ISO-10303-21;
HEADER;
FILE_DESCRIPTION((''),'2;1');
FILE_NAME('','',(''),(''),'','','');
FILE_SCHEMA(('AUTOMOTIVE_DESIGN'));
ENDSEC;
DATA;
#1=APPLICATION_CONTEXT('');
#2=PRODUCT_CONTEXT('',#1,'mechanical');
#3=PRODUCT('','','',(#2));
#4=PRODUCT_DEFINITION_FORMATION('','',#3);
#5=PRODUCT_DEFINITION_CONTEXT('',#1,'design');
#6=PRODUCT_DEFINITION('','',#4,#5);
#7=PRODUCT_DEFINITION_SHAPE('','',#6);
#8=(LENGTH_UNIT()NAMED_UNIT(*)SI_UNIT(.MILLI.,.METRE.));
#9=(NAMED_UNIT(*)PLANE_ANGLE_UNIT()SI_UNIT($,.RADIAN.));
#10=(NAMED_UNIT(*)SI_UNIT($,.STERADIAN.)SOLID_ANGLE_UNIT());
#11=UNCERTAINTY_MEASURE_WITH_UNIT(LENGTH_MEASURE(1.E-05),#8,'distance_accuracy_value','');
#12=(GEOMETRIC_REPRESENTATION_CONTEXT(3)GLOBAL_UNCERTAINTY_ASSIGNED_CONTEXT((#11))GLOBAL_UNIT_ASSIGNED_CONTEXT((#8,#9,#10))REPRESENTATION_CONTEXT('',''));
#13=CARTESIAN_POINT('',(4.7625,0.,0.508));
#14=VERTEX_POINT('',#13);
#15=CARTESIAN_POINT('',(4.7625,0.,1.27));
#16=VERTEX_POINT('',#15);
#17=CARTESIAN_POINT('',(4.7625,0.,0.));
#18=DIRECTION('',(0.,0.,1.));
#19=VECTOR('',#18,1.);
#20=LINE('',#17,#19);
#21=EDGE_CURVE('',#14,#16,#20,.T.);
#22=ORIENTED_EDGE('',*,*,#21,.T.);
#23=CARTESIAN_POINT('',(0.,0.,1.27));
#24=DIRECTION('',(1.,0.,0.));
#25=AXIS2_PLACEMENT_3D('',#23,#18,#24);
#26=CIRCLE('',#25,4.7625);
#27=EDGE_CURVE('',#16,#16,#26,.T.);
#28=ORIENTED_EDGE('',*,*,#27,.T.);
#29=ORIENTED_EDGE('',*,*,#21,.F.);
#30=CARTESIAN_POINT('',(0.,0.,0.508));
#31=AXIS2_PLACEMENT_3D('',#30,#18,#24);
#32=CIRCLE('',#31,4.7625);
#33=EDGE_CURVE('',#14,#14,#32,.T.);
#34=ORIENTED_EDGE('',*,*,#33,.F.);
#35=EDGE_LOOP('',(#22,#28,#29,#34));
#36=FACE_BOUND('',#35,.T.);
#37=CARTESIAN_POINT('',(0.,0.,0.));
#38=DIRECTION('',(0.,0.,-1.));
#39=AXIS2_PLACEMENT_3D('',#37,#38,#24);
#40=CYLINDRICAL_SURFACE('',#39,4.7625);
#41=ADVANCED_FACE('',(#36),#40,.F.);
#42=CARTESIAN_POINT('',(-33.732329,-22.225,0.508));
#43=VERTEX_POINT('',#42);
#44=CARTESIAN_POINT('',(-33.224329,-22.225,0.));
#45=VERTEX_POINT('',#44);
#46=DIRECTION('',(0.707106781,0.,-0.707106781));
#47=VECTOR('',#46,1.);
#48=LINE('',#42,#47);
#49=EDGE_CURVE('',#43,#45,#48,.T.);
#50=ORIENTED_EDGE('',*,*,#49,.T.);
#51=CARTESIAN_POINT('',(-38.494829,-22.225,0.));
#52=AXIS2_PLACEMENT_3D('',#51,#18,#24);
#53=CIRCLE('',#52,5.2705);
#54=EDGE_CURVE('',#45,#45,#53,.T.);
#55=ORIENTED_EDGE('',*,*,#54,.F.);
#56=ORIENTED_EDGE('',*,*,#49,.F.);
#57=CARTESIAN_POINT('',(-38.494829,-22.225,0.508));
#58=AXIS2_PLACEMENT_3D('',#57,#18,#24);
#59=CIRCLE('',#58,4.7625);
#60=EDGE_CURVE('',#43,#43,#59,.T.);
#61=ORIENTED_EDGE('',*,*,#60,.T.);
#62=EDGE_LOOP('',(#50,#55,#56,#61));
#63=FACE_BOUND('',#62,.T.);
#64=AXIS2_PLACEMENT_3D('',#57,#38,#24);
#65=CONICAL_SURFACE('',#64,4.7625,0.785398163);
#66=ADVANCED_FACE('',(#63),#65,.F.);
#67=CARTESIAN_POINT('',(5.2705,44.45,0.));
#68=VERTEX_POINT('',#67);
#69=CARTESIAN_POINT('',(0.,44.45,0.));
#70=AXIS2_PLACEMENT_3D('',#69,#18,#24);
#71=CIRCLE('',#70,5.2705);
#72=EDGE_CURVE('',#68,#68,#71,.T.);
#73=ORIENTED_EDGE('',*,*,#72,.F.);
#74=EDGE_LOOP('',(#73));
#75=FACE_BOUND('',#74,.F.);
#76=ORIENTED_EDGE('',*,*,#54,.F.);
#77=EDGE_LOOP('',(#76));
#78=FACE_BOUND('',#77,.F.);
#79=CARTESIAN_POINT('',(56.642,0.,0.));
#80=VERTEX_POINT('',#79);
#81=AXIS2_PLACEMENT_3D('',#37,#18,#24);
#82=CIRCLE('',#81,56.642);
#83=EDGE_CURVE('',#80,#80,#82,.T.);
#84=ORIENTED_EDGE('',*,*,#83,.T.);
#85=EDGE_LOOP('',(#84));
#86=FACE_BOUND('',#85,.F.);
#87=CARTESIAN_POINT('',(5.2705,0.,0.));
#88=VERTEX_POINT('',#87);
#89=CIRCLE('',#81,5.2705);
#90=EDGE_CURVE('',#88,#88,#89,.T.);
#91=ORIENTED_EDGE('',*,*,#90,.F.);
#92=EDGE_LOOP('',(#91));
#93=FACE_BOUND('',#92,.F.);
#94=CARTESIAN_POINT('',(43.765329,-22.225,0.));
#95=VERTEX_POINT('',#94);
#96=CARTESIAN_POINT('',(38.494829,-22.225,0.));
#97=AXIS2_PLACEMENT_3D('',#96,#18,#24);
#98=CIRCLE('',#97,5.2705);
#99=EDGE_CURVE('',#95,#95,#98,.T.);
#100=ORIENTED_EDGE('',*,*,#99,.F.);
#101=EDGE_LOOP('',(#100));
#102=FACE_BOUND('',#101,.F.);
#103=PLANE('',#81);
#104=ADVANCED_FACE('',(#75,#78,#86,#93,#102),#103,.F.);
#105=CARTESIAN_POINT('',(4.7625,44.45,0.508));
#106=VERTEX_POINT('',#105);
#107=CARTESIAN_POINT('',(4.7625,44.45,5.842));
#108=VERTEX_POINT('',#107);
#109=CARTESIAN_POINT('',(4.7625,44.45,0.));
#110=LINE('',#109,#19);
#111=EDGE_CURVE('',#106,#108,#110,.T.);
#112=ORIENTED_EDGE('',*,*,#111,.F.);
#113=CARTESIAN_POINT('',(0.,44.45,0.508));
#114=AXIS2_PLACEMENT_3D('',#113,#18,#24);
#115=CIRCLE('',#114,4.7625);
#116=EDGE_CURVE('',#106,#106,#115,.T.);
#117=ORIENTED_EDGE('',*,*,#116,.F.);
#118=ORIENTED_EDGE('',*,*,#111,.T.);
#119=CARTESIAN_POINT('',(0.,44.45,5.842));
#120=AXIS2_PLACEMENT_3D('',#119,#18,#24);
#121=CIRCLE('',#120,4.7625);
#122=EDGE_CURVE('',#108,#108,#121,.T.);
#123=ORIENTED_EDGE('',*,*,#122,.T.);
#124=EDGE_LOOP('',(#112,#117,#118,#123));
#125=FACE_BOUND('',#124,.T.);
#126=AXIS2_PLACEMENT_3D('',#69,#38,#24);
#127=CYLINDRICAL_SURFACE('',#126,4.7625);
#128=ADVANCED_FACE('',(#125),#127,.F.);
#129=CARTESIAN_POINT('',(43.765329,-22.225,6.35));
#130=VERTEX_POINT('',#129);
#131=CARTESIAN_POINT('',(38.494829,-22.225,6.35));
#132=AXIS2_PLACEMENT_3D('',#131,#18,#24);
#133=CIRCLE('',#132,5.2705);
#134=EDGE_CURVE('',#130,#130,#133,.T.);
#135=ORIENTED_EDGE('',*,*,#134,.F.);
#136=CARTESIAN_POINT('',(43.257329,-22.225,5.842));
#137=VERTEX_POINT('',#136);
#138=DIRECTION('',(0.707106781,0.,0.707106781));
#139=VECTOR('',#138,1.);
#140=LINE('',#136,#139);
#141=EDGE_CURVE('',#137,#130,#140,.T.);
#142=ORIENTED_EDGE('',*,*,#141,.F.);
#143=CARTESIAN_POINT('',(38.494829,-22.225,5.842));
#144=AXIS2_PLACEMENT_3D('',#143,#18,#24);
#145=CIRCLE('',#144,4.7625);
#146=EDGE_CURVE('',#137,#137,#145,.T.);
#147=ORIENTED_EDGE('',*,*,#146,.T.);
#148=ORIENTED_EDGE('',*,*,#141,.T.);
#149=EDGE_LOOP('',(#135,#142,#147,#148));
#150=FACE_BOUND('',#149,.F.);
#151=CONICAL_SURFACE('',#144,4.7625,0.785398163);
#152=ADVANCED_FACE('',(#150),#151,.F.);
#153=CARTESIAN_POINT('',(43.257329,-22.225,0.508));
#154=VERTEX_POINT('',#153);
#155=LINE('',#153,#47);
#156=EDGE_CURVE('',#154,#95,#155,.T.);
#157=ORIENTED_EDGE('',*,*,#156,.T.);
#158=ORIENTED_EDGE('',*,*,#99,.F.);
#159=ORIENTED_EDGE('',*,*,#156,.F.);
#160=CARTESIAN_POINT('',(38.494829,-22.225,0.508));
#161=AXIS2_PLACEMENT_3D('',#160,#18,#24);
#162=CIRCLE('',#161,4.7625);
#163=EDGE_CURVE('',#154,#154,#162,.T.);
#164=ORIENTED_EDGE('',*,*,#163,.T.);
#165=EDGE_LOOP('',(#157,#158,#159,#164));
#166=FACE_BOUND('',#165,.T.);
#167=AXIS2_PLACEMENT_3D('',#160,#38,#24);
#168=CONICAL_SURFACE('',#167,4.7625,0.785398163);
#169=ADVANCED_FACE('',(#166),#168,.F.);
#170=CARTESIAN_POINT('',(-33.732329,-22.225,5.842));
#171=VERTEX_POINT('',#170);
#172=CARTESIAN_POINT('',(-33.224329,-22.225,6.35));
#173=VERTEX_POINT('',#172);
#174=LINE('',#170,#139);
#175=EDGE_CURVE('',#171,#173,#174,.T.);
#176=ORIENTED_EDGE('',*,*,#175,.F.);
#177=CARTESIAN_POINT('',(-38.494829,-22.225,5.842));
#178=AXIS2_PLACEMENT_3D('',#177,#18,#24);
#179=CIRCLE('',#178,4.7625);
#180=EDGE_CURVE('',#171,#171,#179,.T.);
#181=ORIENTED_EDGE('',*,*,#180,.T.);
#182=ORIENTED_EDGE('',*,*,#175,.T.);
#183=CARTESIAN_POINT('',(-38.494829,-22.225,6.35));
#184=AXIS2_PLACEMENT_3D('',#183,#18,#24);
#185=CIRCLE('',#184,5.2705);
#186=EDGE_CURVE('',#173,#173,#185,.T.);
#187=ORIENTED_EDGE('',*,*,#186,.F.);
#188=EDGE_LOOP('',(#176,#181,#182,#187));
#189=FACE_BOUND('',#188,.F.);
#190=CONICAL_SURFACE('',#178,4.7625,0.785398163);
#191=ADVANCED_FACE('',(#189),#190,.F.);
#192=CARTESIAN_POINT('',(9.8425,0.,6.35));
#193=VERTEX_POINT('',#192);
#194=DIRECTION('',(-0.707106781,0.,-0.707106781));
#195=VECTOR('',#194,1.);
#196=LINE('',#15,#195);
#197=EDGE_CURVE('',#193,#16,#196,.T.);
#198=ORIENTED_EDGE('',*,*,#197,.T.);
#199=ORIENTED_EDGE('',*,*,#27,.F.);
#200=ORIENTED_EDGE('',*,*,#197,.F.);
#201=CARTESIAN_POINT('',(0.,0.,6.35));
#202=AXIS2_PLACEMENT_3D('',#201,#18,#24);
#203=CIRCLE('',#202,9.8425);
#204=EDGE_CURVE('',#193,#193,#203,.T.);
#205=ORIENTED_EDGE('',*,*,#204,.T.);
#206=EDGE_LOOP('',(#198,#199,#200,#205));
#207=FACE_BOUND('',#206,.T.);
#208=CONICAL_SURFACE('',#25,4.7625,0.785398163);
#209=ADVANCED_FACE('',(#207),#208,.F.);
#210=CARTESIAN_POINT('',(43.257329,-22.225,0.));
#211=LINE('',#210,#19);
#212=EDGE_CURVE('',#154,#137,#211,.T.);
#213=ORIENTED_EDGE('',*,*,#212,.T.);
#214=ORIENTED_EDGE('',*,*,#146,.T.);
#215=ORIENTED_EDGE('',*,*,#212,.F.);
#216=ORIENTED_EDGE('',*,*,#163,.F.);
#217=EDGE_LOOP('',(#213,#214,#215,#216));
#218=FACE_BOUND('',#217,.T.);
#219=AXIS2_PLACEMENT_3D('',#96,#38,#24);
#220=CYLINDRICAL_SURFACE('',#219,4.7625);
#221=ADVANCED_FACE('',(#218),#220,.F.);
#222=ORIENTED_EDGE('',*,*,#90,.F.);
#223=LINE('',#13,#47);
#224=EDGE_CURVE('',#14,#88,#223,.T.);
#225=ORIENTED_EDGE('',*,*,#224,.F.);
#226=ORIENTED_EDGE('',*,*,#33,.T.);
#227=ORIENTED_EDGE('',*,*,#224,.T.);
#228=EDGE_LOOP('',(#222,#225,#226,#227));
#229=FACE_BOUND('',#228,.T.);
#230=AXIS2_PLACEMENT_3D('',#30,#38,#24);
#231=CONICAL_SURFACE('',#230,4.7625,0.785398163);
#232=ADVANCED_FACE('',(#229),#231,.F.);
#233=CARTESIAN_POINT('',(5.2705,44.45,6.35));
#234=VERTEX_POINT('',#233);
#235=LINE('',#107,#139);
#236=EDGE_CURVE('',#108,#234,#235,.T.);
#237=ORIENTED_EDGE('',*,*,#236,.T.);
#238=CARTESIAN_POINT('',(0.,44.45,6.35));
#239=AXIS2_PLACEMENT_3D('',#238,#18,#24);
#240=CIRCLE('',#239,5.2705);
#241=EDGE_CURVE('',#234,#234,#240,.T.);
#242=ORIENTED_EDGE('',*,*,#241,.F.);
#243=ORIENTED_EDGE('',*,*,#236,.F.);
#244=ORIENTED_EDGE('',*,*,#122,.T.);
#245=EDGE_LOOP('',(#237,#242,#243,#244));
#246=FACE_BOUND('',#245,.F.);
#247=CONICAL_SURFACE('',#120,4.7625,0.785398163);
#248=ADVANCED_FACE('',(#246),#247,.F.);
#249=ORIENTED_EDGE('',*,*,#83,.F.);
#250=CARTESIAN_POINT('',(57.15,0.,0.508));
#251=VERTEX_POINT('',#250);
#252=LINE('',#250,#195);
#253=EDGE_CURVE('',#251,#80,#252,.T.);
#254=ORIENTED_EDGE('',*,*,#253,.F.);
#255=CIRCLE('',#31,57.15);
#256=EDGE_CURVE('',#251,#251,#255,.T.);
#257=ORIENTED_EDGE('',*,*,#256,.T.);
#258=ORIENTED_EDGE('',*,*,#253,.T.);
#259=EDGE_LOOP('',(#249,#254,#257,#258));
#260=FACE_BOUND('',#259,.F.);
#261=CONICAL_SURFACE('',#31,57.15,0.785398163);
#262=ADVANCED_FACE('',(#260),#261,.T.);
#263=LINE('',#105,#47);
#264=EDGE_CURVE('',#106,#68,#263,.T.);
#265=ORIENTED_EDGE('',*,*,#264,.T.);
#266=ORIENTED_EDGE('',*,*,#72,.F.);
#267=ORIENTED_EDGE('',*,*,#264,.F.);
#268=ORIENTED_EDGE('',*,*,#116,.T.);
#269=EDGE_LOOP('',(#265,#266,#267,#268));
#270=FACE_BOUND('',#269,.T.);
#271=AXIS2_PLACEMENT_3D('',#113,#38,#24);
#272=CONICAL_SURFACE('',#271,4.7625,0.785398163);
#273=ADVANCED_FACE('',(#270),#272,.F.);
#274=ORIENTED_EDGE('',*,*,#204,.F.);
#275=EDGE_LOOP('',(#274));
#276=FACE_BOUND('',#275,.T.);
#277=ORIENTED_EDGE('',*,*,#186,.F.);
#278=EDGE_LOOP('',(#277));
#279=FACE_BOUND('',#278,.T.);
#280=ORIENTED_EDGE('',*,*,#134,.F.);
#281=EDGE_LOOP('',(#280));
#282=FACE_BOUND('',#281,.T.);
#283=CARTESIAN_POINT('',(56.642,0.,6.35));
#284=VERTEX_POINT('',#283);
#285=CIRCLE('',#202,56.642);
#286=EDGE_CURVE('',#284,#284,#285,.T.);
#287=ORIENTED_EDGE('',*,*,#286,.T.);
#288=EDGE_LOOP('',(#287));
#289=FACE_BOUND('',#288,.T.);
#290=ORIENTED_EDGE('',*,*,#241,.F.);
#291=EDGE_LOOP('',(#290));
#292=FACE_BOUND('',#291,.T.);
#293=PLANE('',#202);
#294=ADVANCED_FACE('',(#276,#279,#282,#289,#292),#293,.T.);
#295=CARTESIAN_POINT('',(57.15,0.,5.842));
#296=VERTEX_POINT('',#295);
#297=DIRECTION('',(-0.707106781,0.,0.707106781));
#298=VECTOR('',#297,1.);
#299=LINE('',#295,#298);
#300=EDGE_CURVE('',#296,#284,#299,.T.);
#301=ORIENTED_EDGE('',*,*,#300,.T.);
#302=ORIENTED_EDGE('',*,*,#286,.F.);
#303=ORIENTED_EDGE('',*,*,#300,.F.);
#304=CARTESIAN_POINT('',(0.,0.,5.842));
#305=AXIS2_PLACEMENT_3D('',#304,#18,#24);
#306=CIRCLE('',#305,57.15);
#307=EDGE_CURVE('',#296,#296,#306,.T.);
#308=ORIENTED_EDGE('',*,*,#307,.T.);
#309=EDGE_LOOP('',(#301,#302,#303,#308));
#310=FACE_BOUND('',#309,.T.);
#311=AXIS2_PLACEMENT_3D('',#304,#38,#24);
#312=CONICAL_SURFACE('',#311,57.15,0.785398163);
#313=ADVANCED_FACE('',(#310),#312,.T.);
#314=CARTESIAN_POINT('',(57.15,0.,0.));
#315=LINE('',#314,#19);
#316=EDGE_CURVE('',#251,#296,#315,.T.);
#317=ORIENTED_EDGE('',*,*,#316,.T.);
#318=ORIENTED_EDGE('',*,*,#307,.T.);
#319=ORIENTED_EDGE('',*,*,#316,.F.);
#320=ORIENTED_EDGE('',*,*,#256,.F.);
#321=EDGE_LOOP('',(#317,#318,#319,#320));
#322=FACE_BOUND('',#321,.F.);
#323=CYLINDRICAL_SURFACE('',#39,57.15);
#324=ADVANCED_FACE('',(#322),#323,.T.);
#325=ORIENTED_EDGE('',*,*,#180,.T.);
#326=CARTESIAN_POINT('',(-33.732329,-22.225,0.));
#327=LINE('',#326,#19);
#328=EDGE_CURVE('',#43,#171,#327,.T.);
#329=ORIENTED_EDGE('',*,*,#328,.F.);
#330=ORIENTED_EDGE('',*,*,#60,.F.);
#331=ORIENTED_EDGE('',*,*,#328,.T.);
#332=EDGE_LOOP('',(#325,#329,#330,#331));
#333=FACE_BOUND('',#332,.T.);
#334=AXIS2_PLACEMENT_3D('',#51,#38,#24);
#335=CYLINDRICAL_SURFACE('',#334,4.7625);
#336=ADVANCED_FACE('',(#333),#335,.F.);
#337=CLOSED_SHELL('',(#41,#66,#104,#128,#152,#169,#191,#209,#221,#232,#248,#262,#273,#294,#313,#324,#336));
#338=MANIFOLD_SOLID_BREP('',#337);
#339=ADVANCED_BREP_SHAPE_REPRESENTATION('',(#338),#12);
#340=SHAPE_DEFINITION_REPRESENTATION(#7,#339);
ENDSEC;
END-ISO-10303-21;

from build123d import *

# Parameters (mm, degrees)
F0_R     = 57.15
F0_R_2   = 4.7625
F1_DEPTH = 6.35
F2_SIZE  = 0.508
F3_SIZE  = 5.08


with BuildPart() as f1:
    # F0 (on Top) → F1 (new body)
    with BuildSketch(Plane.XY):
        Circle(F0_R)
        with Locations((-38.494829, -22.225)):
            Circle(F0_R_2, mode=Mode.SUBTRACT)
        with Locations((38.494829, -22.225)):
            Circle(F0_R_2, mode=Mode.SUBTRACT)
        Circle(F0_R_2, mode=Mode.SUBTRACT)
        with Locations((0, 44.45)):
            Circle(F0_R_2, mode=Mode.SUBTRACT)
    extrude(amount=F1_DEPTH)

    # F2
    f2_edges = [f1.edges().sort_by_distance(p)[0] for p in [
        (-57.15, 0, 6.35),
        (-4.7625, 44.45, 6.35),
        (-43.257329, -22.225, 6.35),
        (33.732329, -22.225, 6.35),
        (-57.15, 0, 0),
        (-4.7625, 44.45, 0),
        (33.732329, -22.225, 0),
        (-43.257329, -22.225, 0),
        (-4.7625, 0, 0),
    ]]
    chamfer(f2_edges, length=F2_SIZE)

    # F3
    f3_edges = [f1.edges().sort_by_distance(p)[0] for p in [
        (-4.7625, 0, 6.35),
    ]]
    chamfer(f3_edges, length=F3_SIZE)


solid = f1.part
